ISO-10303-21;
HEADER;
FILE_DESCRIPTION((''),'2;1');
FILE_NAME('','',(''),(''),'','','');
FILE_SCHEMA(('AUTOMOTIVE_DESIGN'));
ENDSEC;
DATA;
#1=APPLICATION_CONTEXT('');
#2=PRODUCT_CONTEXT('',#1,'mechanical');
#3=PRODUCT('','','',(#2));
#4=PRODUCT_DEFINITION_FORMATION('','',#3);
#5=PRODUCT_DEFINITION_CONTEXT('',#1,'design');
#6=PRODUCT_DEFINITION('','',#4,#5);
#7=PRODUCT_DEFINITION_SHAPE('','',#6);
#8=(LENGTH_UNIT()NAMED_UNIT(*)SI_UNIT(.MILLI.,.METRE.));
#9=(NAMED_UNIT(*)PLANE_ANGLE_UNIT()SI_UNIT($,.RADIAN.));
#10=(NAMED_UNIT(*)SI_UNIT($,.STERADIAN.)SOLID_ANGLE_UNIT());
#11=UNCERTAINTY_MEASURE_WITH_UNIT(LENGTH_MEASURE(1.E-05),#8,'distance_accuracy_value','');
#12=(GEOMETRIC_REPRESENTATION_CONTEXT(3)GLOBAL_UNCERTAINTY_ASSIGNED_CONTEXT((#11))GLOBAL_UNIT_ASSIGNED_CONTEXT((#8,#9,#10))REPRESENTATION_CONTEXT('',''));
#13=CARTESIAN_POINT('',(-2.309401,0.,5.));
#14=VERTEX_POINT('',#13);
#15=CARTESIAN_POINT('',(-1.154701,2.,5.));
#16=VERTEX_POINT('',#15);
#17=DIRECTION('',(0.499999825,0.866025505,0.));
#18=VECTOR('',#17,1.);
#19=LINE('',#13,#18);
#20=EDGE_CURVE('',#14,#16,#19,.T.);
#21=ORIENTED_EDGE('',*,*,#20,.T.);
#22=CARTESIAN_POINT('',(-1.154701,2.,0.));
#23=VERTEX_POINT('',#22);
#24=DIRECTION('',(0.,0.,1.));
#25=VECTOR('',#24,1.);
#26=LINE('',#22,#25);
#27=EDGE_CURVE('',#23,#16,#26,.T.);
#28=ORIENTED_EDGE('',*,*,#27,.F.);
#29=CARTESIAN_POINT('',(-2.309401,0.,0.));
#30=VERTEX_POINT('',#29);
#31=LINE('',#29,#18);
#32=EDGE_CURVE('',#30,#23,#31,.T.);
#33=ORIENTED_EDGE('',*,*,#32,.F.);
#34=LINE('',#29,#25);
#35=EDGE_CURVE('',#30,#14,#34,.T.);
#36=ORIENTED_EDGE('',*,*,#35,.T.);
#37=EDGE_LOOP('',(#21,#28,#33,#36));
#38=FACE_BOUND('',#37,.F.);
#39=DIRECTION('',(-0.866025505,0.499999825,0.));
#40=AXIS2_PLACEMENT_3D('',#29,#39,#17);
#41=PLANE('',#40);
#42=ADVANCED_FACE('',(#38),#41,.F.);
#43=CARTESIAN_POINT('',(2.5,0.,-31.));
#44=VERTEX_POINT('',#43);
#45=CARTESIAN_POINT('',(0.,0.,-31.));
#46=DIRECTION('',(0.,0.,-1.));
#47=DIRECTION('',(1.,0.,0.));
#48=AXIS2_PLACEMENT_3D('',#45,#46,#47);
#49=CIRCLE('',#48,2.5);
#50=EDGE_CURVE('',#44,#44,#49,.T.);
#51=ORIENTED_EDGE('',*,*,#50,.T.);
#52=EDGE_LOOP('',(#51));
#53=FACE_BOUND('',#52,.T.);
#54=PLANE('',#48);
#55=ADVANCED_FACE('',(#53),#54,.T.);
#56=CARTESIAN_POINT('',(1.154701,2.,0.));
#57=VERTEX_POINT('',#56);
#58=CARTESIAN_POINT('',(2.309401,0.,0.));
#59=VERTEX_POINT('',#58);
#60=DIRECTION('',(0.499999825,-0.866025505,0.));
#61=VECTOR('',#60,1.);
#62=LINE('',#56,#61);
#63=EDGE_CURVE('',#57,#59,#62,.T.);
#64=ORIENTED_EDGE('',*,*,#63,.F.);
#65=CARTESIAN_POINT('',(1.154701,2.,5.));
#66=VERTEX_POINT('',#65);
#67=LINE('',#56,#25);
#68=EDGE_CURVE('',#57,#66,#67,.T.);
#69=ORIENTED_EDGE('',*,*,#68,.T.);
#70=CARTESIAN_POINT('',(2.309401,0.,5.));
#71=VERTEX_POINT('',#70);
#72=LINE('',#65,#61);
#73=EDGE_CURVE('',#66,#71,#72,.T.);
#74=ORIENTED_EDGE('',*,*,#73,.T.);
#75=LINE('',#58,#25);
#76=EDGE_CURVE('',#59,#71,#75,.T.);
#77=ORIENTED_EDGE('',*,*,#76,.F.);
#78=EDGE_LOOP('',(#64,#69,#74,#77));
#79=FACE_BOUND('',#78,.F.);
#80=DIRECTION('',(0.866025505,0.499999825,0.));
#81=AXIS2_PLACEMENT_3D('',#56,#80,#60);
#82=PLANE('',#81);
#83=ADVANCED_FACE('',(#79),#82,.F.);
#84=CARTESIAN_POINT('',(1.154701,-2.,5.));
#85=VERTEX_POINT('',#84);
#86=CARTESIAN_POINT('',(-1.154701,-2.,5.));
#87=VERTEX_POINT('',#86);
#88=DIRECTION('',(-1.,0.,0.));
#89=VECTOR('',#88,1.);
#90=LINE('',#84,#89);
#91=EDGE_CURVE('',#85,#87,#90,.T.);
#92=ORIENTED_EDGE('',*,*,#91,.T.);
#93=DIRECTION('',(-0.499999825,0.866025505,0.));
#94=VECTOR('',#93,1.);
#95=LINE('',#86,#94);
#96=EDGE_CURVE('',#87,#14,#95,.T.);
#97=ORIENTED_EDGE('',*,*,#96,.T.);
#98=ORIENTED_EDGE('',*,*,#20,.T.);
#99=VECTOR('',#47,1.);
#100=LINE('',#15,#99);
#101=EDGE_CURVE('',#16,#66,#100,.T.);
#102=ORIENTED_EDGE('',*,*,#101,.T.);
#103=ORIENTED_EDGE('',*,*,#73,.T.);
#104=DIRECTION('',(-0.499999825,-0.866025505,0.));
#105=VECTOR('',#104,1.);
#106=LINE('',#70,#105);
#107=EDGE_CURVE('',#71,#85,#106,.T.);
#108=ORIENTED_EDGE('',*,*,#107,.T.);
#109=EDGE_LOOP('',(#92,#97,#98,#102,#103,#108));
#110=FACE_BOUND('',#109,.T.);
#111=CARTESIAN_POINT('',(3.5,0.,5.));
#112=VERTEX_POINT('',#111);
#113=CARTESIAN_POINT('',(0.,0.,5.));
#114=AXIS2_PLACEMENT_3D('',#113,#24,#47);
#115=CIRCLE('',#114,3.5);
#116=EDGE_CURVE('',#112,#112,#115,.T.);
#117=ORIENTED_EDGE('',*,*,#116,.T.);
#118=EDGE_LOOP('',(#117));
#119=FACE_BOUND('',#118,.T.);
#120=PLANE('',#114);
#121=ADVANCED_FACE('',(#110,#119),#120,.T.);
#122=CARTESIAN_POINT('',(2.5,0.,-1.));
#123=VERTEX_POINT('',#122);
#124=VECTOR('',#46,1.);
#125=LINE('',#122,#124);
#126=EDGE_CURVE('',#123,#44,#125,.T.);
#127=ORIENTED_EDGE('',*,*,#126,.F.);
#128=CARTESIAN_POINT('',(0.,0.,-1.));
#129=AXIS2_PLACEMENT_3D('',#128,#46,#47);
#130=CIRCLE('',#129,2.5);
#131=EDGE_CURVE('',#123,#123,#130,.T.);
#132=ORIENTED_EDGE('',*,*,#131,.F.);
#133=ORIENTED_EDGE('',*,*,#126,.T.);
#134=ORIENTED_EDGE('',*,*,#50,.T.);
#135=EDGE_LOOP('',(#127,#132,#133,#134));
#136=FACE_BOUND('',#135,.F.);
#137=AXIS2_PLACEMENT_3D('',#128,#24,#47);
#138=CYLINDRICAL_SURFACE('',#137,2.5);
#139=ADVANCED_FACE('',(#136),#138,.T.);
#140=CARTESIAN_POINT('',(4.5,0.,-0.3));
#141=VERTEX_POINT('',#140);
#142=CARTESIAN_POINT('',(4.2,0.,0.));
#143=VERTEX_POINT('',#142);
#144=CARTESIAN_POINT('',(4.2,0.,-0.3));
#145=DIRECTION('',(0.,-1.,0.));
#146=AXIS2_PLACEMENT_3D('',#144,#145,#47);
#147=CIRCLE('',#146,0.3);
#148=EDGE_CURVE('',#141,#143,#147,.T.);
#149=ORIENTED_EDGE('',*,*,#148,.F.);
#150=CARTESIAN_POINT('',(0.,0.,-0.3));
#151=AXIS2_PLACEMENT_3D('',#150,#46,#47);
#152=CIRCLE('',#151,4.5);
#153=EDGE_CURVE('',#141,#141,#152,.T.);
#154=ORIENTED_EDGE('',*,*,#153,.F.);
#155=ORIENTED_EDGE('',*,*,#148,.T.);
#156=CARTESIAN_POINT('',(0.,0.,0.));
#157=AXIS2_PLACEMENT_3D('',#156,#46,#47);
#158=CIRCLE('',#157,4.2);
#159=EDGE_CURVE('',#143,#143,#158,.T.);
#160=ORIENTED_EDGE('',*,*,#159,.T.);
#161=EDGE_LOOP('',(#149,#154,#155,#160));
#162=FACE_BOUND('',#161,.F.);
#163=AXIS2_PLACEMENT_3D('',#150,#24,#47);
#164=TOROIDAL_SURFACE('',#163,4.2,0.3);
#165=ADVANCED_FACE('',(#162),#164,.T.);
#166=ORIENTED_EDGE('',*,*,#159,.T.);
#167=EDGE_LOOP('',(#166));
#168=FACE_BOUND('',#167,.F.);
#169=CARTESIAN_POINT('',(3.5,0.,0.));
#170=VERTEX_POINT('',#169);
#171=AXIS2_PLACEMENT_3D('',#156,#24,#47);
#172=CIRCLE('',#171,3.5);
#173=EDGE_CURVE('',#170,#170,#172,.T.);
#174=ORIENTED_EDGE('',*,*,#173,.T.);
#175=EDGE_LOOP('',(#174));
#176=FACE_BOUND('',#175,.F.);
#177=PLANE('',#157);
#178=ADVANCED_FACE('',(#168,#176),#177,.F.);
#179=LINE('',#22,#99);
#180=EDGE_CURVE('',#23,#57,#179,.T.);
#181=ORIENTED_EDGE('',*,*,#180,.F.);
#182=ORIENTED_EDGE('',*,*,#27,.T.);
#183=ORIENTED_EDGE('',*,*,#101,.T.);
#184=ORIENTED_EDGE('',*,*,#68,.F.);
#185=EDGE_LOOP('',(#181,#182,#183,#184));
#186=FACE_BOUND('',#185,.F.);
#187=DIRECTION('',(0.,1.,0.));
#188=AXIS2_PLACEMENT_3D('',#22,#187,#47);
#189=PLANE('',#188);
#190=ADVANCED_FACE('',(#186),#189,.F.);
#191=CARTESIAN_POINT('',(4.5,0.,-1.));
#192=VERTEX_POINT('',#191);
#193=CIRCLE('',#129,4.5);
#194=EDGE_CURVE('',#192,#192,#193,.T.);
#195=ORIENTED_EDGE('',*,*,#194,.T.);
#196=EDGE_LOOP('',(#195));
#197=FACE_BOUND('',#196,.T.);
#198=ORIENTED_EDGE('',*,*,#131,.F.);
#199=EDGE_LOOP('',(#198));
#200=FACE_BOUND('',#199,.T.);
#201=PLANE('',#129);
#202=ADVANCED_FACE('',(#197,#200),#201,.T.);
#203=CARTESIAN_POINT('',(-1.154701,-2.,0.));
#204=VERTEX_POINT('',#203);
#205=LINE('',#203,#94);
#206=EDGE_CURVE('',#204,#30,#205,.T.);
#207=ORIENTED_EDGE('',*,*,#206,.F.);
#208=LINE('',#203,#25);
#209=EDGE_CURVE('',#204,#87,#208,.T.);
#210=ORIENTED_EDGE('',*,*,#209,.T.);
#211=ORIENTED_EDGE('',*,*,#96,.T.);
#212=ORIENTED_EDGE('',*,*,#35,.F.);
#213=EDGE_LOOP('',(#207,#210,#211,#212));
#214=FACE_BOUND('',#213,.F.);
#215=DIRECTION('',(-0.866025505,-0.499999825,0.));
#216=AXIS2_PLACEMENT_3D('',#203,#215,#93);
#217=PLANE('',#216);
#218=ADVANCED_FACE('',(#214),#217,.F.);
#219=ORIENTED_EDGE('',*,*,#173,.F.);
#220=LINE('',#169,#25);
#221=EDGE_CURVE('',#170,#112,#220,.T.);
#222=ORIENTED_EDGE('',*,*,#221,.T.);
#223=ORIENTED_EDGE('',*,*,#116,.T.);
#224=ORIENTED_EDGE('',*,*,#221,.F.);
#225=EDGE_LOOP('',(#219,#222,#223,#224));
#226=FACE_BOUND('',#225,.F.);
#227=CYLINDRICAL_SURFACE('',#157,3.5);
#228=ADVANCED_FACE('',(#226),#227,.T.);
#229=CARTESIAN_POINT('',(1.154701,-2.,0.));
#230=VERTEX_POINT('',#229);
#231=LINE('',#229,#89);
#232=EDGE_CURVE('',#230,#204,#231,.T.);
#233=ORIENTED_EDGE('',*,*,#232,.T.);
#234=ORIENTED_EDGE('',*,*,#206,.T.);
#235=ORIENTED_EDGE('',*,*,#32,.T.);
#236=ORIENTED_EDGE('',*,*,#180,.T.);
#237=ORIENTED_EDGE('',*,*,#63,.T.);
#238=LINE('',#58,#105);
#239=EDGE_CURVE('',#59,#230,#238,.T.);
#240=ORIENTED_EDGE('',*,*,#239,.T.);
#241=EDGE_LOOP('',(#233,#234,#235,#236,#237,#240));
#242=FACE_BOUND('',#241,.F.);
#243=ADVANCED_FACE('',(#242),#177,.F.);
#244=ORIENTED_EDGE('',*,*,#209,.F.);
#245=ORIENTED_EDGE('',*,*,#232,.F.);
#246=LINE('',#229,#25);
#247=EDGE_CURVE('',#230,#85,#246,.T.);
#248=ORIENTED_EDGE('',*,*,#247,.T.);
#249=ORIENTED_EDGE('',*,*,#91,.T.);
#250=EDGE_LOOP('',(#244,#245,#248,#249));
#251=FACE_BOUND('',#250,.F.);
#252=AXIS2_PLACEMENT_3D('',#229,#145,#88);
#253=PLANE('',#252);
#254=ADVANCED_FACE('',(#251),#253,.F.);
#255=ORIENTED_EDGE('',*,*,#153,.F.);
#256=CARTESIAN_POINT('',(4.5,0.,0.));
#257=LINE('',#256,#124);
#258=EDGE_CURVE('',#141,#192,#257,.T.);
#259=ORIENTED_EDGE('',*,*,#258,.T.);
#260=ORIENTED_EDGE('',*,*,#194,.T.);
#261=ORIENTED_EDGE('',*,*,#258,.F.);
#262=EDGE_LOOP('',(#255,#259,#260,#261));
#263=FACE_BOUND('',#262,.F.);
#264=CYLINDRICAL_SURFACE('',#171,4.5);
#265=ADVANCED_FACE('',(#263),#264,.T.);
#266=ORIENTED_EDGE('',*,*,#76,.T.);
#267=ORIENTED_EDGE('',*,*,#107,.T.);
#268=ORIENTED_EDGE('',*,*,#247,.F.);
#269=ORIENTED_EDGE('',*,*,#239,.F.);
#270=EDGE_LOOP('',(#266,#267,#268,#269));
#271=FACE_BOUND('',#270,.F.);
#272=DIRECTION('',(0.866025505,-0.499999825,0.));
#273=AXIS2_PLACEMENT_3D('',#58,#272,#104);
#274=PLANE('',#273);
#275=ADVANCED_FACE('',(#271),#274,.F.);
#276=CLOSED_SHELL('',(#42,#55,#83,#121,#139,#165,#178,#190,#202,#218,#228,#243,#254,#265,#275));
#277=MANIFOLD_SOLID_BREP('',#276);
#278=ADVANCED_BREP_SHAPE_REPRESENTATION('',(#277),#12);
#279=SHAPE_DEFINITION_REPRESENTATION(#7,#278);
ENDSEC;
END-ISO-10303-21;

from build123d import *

# Parameters (mm, degrees)
F0_R     = 3.5
F1_DEPTH = 5
F2_R     = 4.5
F3_DEPTH = 1
F4_R     = 2.5
F5_DEPTH = 30
F6_R     = 0.3


with BuildPart() as f1:
    # F0 (on Top) → F1 (new body)
    with BuildSketch(Plane.XY):
        Circle(F0_R)
        Polygon((-2.309401, 0), (-1.154701, 2), (1.154701, 2), (2.309401, 0), (1.154701, -2), (-1.154701, -2), align=None, mode=Mode.SUBTRACT)
    extrude(amount=F1_DEPTH)

    # F2 (on face) → F3 (join)
    with BuildSketch(Plane(origin=(0, 0, 0), x_dir=(1, 0, 0), z_dir=(0, 0, -1))):
        Circle(F2_R)
    extrude(amount=F3_DEPTH)

    # F4 (on face) → F5 (join)
    with BuildSketch(Plane(origin=(0, 0, -1), x_dir=(1, 0, 0), z_dir=(0, 0, -1))):
        Circle(F4_R)
    extrude(amount=F5_DEPTH)

    # F6
    f6_edges = [f1.edges().sort_by_distance(p)[0] for p in [
        (-4.5, 0, 0),
    ]]
    fillet(f6_edges, radius=F6_R)


solid = f1.part
